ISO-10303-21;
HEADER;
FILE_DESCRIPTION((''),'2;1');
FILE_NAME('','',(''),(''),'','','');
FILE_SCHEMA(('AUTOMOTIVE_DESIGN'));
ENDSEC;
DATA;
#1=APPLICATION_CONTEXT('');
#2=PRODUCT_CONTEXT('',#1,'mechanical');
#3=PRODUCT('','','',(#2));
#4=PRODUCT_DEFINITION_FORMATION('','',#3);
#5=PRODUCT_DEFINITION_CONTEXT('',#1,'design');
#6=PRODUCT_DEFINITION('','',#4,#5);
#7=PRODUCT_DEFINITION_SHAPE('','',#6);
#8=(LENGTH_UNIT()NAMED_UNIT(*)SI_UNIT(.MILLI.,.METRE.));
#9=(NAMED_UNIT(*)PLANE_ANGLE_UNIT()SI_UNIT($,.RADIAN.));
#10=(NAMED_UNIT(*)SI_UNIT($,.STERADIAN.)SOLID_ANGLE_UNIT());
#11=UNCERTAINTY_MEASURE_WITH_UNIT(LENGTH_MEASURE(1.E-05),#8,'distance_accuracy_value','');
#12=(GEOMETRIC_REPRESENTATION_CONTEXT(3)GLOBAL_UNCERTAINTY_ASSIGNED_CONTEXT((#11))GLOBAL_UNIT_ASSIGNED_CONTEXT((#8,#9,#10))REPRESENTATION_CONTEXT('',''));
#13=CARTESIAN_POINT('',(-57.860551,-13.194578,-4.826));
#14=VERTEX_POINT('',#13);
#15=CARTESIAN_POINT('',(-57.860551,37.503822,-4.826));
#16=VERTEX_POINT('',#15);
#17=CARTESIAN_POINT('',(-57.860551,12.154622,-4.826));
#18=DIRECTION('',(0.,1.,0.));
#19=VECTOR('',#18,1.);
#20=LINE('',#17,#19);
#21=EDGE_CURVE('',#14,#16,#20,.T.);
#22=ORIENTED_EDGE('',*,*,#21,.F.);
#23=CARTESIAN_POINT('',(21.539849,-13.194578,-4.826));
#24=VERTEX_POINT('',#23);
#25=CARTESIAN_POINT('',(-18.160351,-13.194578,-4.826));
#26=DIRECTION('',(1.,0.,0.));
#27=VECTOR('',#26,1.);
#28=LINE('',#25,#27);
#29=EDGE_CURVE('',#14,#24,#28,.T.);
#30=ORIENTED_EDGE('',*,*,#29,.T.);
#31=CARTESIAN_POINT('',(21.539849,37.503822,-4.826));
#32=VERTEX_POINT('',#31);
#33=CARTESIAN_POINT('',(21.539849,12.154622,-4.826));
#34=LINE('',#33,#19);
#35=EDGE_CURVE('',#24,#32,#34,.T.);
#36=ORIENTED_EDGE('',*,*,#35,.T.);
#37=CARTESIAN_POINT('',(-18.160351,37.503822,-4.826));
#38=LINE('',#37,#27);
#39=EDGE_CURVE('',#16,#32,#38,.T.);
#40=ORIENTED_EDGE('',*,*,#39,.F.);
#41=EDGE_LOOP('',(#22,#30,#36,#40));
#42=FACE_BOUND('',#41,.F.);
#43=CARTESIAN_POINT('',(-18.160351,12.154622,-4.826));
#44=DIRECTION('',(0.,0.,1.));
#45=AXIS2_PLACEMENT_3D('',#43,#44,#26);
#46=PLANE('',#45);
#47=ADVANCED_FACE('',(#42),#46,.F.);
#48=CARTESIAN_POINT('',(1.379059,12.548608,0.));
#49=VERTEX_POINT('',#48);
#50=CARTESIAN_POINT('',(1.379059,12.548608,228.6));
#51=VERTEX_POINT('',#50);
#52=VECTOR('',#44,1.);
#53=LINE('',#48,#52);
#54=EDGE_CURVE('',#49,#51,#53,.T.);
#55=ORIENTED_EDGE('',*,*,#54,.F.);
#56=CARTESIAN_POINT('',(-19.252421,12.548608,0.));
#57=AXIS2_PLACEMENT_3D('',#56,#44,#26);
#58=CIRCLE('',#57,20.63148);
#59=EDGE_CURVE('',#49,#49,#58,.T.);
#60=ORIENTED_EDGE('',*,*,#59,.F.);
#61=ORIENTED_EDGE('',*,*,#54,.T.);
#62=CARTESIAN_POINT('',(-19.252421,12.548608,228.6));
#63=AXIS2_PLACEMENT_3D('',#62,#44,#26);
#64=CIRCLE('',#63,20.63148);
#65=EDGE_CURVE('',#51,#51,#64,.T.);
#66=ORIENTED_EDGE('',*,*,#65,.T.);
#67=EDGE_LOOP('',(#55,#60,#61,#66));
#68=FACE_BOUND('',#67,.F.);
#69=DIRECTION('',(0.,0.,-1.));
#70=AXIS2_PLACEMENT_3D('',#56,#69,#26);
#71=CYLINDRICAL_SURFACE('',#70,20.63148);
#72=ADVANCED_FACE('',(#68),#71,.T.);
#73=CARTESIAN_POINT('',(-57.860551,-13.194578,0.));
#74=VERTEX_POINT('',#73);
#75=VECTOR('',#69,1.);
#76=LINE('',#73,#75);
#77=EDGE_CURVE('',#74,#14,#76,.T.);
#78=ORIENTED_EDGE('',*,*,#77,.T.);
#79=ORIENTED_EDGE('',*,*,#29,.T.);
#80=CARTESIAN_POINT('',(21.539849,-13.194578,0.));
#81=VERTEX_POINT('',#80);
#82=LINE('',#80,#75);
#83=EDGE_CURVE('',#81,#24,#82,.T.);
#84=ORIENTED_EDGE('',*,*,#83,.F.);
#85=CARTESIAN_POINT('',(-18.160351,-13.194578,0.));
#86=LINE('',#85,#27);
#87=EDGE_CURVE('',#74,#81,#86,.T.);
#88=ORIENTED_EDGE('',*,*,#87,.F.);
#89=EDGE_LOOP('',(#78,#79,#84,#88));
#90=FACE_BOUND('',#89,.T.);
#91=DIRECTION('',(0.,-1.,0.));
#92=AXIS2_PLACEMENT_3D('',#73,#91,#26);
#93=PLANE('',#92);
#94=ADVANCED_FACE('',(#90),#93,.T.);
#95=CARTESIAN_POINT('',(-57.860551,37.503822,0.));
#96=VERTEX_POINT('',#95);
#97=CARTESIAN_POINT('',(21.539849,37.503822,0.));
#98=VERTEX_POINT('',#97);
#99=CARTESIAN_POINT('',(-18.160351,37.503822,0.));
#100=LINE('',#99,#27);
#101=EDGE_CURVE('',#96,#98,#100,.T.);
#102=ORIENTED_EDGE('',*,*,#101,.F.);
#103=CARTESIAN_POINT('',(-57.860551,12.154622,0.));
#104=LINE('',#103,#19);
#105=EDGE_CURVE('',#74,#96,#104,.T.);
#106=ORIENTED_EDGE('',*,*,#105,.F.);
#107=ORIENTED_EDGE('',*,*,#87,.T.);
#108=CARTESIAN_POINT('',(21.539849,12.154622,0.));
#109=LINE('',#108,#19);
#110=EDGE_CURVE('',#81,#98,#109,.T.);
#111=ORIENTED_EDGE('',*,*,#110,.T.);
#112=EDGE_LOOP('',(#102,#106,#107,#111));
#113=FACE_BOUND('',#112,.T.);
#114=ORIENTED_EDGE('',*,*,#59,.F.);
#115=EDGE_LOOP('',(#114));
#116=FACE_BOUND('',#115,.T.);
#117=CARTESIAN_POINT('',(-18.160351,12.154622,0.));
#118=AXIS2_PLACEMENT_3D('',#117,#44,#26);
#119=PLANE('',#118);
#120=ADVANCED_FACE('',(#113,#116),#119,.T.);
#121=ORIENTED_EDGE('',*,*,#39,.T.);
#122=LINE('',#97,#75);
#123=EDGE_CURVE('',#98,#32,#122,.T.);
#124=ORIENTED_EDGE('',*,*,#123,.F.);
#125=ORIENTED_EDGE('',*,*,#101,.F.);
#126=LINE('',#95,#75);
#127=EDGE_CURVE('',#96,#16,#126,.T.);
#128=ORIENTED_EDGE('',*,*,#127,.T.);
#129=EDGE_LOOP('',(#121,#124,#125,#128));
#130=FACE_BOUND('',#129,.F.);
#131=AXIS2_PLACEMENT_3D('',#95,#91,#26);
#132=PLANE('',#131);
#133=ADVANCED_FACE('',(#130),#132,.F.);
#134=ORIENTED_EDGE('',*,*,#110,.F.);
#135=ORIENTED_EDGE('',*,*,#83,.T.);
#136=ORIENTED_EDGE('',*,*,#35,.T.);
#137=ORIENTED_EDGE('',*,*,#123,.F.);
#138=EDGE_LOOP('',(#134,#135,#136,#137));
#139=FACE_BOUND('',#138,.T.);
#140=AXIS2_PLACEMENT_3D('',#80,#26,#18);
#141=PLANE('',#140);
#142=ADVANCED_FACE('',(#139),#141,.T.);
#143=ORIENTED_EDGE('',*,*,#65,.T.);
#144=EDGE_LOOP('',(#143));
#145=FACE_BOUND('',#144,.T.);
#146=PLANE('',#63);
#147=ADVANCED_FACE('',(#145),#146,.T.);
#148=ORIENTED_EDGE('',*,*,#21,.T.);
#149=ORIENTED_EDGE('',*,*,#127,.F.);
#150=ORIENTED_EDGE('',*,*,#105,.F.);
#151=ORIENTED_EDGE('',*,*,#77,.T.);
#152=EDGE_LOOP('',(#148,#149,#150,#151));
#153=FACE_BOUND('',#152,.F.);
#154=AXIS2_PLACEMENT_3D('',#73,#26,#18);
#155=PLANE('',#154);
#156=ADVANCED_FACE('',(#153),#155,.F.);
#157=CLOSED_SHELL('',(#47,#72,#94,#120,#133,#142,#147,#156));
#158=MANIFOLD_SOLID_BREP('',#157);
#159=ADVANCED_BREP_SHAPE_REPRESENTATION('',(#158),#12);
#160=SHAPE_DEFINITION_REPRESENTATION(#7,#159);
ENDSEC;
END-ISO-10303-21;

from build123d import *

# Parameters (mm, degrees)
F0_R     = 20.63148
F1_DEPTH = 228.6
F2_W     = 79.4004
F2_H     = 50.6984
F3_DEPTH = 4.826


with BuildPart() as f1:
    # F0 (on Top) → F1 (new body)
    with BuildSketch(Plane.XY):
        with Locations((-19.252421, 12.548608)):
            Circle(F0_R)
    extrude(amount=F1_DEPTH)

    # F2 (on Top) → F3 (join)
    with BuildSketch(Plane.XY):
        with Locations((-18.160351, 12.154622)):
            Rectangle(F2_W, F2_H)
    extrude(amount=-F3_DEPTH)


solid = f1.part
